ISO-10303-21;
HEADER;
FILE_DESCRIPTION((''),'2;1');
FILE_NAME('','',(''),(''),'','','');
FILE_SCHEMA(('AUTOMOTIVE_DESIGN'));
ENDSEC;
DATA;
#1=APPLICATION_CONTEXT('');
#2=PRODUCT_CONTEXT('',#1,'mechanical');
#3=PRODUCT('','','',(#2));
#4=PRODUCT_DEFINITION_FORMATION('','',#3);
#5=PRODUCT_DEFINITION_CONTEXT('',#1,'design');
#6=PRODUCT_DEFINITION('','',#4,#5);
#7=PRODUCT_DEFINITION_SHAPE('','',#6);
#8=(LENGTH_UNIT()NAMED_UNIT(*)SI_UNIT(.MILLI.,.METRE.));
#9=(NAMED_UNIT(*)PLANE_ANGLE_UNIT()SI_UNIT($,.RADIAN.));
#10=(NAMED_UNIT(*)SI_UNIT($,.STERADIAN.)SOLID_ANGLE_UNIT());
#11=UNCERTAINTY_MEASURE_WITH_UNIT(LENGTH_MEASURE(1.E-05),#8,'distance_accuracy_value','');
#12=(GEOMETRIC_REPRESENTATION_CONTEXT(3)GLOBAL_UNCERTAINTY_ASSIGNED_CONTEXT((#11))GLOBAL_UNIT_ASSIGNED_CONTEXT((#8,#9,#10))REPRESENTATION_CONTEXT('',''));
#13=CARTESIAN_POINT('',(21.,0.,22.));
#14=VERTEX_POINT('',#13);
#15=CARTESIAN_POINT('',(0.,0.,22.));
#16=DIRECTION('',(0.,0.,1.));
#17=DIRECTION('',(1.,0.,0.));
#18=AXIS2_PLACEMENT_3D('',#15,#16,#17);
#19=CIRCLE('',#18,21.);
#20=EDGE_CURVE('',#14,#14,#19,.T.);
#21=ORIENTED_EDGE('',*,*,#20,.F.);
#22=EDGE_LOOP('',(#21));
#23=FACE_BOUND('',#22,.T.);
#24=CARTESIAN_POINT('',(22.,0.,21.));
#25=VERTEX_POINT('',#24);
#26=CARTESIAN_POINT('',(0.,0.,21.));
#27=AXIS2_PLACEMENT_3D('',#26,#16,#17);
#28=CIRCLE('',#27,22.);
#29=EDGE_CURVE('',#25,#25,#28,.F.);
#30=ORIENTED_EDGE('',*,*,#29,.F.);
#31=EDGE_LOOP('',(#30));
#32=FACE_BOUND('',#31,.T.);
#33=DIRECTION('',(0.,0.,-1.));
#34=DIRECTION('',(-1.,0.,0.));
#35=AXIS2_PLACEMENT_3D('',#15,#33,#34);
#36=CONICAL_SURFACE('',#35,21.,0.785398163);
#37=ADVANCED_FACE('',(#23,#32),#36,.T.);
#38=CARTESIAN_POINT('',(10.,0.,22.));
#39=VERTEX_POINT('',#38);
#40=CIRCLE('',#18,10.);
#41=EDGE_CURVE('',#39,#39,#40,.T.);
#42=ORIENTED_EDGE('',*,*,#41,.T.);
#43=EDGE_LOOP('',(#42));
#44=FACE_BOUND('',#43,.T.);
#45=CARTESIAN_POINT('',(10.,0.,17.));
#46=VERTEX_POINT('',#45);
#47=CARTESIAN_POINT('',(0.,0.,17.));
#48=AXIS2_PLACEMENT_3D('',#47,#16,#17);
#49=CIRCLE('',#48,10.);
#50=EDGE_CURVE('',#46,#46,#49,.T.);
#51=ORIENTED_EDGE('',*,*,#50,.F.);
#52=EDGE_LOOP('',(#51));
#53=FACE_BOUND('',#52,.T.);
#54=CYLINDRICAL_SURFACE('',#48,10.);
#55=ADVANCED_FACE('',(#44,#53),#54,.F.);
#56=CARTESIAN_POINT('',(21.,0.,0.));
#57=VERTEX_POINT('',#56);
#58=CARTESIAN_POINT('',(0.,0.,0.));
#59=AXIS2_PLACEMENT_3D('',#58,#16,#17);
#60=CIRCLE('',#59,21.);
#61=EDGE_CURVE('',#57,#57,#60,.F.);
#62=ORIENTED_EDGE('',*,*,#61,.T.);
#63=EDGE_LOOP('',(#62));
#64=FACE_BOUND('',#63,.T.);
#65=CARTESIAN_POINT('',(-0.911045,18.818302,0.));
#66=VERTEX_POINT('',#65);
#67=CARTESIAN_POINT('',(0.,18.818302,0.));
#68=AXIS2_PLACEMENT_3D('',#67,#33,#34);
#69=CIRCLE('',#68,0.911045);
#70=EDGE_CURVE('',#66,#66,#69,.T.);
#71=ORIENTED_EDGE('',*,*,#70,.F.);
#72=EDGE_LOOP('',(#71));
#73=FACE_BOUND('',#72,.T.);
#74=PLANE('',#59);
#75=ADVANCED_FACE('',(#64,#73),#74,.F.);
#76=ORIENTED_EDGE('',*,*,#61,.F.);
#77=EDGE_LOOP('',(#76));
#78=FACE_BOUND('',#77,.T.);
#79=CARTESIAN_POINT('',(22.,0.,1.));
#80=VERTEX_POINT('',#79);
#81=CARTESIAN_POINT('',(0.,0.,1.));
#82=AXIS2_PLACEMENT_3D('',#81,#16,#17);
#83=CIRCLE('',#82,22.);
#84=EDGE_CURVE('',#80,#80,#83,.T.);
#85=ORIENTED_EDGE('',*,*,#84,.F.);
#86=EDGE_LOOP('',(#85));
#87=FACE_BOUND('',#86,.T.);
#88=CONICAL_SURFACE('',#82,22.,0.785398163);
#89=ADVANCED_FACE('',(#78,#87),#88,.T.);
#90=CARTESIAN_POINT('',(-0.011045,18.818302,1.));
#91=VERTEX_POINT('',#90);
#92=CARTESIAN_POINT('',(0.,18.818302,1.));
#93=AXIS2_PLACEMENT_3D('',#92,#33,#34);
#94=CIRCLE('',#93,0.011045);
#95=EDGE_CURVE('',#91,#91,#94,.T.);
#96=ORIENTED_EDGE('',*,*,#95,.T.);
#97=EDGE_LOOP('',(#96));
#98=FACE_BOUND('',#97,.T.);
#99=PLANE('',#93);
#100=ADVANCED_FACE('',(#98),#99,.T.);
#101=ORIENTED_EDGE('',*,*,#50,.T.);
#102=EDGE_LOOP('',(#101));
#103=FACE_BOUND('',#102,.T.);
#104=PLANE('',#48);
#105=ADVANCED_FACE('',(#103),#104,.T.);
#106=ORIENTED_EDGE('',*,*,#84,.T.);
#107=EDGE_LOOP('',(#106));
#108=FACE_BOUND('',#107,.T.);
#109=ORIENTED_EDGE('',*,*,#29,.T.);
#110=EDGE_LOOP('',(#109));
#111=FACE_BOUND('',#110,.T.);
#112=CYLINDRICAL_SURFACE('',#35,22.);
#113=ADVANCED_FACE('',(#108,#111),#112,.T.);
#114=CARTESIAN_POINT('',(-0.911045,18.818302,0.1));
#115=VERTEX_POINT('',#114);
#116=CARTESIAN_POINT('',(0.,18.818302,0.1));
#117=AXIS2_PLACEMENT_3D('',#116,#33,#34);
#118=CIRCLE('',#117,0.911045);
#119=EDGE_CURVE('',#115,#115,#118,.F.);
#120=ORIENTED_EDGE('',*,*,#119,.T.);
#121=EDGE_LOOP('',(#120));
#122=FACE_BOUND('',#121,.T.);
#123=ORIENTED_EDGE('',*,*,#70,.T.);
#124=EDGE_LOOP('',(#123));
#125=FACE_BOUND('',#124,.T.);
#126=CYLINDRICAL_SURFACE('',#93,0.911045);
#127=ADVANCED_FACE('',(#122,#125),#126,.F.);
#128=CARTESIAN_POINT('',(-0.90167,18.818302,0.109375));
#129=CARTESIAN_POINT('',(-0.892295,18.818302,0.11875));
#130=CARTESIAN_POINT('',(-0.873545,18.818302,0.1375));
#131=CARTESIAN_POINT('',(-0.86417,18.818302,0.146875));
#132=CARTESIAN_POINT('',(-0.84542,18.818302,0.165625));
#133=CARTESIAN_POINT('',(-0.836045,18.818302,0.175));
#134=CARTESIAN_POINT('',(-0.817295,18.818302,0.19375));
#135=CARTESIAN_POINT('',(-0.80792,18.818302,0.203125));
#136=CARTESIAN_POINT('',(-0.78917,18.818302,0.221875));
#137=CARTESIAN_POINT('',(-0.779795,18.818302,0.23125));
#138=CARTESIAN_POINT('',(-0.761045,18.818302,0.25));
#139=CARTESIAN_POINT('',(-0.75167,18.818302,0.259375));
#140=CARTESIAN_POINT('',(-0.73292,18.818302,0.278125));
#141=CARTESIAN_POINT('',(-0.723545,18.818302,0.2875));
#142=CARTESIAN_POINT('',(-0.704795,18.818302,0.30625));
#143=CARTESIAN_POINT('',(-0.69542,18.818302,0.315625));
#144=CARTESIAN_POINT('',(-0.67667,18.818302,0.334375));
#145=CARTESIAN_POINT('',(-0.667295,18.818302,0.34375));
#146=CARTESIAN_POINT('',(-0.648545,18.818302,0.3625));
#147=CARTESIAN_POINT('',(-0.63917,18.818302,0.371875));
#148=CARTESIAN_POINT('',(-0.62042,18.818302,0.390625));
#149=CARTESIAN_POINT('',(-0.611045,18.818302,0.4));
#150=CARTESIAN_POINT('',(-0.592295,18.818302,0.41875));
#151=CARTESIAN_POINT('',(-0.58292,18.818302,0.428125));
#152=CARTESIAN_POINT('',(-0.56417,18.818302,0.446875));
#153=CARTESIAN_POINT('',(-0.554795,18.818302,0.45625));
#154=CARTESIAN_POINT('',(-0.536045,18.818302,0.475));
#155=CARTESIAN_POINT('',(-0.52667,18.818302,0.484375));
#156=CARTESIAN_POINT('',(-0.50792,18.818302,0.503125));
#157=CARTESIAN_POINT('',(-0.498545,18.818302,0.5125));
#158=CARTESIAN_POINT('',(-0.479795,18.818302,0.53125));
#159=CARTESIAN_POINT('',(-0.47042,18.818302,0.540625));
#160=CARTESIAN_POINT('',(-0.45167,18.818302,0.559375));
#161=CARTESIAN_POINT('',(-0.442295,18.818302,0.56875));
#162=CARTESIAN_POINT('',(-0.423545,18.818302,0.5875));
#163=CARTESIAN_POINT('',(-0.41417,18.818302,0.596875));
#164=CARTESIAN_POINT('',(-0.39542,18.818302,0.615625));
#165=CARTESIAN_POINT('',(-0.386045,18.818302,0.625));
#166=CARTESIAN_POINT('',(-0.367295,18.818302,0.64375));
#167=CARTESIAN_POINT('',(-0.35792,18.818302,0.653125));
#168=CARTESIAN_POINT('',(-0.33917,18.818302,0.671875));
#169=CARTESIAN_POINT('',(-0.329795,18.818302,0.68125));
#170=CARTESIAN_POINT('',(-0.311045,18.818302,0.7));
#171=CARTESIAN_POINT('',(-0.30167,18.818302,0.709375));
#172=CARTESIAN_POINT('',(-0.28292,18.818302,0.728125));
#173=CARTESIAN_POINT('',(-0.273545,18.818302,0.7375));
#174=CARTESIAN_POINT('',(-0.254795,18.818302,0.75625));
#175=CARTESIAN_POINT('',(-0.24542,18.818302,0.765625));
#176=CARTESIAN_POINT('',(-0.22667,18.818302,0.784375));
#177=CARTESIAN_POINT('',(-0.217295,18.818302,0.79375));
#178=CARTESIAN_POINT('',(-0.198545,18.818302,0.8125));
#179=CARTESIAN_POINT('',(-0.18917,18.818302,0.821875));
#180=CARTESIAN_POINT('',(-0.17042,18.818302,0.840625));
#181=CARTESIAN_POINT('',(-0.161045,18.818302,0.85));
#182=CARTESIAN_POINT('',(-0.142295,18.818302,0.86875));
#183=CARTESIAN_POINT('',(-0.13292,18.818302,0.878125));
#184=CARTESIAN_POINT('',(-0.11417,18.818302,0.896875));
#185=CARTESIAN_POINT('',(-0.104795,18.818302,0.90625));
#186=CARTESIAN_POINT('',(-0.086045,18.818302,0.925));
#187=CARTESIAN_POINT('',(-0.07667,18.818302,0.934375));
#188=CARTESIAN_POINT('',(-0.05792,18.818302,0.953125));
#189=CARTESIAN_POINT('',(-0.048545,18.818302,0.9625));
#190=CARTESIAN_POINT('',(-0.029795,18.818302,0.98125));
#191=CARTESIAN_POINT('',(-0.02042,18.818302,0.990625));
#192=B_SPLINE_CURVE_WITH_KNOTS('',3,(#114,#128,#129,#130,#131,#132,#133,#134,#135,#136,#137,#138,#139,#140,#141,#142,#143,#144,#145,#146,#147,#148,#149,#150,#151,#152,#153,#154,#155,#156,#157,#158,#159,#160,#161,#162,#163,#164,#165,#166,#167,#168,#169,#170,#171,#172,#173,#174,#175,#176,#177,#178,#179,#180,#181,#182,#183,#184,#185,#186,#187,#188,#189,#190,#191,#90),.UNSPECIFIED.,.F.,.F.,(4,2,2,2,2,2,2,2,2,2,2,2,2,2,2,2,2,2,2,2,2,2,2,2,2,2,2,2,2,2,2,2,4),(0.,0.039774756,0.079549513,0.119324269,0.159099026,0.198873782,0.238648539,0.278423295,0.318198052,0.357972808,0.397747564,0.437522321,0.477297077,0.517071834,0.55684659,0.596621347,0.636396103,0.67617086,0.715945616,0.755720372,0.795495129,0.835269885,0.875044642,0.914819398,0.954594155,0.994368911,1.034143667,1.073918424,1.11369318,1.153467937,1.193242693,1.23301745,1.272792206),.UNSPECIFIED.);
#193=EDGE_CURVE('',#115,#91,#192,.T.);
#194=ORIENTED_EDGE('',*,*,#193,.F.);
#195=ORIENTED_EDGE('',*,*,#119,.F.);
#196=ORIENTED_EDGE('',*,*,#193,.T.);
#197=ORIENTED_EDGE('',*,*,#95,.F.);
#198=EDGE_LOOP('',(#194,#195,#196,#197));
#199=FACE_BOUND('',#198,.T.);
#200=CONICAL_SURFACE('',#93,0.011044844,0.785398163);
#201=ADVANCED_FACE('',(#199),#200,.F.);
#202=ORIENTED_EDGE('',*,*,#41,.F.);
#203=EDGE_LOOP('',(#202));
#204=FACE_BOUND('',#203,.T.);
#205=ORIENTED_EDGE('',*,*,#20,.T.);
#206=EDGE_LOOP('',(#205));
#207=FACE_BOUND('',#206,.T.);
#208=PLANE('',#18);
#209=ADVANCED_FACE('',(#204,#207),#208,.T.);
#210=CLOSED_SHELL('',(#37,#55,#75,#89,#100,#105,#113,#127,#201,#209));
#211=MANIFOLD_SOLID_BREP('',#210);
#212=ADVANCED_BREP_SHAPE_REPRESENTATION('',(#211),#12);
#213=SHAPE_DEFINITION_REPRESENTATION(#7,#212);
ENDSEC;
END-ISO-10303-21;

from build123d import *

# Parameters (mm, degrees)
SKETCH_1_R          = 22
EXTRUDE_1_DEPTH     = 22
SKETCH_2_R          = 10
CUT_EXTRUDE_1_DEPTH = 5
CHAMFER_1_SIZE      = 1
SKETCH_3_R          = 0.911044844
CUT_EXTRUDE_2_DEPTH = 1
CHAMFER_2_SIZE      = 0.9


with BuildPart() as part:
    # 草图1 → 凸台-拉伸1 (new body)
    with BuildSketch(Plane.XY):
        Circle(SKETCH_1_R)
    extrude(amount=EXTRUDE_1_DEPTH)

    # 草图2 → 切除-拉伸1 (cut)
    with BuildSketch(Plane.XY.offset(22)):
        Circle(SKETCH_2_R)
    extrude(amount=-CUT_EXTRUDE_1_DEPTH, mode=Mode.SUBTRACT)

    # 倒角1
    chamfer_1_edges = [part.edges().sort_by_distance(p)[0] for p in [
        (-22, 0, 0),
        (-22, 0, 22),
    ]]
    chamfer(chamfer_1_edges, length=CHAMFER_1_SIZE)

    # 草图3 → 切除-拉伸2 (cut)
    with BuildSketch(Plane(origin=(0, 0, 0), x_dir=(-1, 0, 0), z_dir=(0, 0, -1))):
        with Locations((0, 18.818302181)):
            Circle(SKETCH_3_R)
    extrude(amount=-CUT_EXTRUDE_2_DEPTH, mode=Mode.SUBTRACT)

    # 倒角2
    chamfer_2_edges = [part.edges().sort_by_distance(p)[0] for p in [
        (0.911044844, 18.818302181, 1),
    ]]
    chamfer(chamfer_2_edges, length=CHAMFER_2_SIZE)


solid = part.part
